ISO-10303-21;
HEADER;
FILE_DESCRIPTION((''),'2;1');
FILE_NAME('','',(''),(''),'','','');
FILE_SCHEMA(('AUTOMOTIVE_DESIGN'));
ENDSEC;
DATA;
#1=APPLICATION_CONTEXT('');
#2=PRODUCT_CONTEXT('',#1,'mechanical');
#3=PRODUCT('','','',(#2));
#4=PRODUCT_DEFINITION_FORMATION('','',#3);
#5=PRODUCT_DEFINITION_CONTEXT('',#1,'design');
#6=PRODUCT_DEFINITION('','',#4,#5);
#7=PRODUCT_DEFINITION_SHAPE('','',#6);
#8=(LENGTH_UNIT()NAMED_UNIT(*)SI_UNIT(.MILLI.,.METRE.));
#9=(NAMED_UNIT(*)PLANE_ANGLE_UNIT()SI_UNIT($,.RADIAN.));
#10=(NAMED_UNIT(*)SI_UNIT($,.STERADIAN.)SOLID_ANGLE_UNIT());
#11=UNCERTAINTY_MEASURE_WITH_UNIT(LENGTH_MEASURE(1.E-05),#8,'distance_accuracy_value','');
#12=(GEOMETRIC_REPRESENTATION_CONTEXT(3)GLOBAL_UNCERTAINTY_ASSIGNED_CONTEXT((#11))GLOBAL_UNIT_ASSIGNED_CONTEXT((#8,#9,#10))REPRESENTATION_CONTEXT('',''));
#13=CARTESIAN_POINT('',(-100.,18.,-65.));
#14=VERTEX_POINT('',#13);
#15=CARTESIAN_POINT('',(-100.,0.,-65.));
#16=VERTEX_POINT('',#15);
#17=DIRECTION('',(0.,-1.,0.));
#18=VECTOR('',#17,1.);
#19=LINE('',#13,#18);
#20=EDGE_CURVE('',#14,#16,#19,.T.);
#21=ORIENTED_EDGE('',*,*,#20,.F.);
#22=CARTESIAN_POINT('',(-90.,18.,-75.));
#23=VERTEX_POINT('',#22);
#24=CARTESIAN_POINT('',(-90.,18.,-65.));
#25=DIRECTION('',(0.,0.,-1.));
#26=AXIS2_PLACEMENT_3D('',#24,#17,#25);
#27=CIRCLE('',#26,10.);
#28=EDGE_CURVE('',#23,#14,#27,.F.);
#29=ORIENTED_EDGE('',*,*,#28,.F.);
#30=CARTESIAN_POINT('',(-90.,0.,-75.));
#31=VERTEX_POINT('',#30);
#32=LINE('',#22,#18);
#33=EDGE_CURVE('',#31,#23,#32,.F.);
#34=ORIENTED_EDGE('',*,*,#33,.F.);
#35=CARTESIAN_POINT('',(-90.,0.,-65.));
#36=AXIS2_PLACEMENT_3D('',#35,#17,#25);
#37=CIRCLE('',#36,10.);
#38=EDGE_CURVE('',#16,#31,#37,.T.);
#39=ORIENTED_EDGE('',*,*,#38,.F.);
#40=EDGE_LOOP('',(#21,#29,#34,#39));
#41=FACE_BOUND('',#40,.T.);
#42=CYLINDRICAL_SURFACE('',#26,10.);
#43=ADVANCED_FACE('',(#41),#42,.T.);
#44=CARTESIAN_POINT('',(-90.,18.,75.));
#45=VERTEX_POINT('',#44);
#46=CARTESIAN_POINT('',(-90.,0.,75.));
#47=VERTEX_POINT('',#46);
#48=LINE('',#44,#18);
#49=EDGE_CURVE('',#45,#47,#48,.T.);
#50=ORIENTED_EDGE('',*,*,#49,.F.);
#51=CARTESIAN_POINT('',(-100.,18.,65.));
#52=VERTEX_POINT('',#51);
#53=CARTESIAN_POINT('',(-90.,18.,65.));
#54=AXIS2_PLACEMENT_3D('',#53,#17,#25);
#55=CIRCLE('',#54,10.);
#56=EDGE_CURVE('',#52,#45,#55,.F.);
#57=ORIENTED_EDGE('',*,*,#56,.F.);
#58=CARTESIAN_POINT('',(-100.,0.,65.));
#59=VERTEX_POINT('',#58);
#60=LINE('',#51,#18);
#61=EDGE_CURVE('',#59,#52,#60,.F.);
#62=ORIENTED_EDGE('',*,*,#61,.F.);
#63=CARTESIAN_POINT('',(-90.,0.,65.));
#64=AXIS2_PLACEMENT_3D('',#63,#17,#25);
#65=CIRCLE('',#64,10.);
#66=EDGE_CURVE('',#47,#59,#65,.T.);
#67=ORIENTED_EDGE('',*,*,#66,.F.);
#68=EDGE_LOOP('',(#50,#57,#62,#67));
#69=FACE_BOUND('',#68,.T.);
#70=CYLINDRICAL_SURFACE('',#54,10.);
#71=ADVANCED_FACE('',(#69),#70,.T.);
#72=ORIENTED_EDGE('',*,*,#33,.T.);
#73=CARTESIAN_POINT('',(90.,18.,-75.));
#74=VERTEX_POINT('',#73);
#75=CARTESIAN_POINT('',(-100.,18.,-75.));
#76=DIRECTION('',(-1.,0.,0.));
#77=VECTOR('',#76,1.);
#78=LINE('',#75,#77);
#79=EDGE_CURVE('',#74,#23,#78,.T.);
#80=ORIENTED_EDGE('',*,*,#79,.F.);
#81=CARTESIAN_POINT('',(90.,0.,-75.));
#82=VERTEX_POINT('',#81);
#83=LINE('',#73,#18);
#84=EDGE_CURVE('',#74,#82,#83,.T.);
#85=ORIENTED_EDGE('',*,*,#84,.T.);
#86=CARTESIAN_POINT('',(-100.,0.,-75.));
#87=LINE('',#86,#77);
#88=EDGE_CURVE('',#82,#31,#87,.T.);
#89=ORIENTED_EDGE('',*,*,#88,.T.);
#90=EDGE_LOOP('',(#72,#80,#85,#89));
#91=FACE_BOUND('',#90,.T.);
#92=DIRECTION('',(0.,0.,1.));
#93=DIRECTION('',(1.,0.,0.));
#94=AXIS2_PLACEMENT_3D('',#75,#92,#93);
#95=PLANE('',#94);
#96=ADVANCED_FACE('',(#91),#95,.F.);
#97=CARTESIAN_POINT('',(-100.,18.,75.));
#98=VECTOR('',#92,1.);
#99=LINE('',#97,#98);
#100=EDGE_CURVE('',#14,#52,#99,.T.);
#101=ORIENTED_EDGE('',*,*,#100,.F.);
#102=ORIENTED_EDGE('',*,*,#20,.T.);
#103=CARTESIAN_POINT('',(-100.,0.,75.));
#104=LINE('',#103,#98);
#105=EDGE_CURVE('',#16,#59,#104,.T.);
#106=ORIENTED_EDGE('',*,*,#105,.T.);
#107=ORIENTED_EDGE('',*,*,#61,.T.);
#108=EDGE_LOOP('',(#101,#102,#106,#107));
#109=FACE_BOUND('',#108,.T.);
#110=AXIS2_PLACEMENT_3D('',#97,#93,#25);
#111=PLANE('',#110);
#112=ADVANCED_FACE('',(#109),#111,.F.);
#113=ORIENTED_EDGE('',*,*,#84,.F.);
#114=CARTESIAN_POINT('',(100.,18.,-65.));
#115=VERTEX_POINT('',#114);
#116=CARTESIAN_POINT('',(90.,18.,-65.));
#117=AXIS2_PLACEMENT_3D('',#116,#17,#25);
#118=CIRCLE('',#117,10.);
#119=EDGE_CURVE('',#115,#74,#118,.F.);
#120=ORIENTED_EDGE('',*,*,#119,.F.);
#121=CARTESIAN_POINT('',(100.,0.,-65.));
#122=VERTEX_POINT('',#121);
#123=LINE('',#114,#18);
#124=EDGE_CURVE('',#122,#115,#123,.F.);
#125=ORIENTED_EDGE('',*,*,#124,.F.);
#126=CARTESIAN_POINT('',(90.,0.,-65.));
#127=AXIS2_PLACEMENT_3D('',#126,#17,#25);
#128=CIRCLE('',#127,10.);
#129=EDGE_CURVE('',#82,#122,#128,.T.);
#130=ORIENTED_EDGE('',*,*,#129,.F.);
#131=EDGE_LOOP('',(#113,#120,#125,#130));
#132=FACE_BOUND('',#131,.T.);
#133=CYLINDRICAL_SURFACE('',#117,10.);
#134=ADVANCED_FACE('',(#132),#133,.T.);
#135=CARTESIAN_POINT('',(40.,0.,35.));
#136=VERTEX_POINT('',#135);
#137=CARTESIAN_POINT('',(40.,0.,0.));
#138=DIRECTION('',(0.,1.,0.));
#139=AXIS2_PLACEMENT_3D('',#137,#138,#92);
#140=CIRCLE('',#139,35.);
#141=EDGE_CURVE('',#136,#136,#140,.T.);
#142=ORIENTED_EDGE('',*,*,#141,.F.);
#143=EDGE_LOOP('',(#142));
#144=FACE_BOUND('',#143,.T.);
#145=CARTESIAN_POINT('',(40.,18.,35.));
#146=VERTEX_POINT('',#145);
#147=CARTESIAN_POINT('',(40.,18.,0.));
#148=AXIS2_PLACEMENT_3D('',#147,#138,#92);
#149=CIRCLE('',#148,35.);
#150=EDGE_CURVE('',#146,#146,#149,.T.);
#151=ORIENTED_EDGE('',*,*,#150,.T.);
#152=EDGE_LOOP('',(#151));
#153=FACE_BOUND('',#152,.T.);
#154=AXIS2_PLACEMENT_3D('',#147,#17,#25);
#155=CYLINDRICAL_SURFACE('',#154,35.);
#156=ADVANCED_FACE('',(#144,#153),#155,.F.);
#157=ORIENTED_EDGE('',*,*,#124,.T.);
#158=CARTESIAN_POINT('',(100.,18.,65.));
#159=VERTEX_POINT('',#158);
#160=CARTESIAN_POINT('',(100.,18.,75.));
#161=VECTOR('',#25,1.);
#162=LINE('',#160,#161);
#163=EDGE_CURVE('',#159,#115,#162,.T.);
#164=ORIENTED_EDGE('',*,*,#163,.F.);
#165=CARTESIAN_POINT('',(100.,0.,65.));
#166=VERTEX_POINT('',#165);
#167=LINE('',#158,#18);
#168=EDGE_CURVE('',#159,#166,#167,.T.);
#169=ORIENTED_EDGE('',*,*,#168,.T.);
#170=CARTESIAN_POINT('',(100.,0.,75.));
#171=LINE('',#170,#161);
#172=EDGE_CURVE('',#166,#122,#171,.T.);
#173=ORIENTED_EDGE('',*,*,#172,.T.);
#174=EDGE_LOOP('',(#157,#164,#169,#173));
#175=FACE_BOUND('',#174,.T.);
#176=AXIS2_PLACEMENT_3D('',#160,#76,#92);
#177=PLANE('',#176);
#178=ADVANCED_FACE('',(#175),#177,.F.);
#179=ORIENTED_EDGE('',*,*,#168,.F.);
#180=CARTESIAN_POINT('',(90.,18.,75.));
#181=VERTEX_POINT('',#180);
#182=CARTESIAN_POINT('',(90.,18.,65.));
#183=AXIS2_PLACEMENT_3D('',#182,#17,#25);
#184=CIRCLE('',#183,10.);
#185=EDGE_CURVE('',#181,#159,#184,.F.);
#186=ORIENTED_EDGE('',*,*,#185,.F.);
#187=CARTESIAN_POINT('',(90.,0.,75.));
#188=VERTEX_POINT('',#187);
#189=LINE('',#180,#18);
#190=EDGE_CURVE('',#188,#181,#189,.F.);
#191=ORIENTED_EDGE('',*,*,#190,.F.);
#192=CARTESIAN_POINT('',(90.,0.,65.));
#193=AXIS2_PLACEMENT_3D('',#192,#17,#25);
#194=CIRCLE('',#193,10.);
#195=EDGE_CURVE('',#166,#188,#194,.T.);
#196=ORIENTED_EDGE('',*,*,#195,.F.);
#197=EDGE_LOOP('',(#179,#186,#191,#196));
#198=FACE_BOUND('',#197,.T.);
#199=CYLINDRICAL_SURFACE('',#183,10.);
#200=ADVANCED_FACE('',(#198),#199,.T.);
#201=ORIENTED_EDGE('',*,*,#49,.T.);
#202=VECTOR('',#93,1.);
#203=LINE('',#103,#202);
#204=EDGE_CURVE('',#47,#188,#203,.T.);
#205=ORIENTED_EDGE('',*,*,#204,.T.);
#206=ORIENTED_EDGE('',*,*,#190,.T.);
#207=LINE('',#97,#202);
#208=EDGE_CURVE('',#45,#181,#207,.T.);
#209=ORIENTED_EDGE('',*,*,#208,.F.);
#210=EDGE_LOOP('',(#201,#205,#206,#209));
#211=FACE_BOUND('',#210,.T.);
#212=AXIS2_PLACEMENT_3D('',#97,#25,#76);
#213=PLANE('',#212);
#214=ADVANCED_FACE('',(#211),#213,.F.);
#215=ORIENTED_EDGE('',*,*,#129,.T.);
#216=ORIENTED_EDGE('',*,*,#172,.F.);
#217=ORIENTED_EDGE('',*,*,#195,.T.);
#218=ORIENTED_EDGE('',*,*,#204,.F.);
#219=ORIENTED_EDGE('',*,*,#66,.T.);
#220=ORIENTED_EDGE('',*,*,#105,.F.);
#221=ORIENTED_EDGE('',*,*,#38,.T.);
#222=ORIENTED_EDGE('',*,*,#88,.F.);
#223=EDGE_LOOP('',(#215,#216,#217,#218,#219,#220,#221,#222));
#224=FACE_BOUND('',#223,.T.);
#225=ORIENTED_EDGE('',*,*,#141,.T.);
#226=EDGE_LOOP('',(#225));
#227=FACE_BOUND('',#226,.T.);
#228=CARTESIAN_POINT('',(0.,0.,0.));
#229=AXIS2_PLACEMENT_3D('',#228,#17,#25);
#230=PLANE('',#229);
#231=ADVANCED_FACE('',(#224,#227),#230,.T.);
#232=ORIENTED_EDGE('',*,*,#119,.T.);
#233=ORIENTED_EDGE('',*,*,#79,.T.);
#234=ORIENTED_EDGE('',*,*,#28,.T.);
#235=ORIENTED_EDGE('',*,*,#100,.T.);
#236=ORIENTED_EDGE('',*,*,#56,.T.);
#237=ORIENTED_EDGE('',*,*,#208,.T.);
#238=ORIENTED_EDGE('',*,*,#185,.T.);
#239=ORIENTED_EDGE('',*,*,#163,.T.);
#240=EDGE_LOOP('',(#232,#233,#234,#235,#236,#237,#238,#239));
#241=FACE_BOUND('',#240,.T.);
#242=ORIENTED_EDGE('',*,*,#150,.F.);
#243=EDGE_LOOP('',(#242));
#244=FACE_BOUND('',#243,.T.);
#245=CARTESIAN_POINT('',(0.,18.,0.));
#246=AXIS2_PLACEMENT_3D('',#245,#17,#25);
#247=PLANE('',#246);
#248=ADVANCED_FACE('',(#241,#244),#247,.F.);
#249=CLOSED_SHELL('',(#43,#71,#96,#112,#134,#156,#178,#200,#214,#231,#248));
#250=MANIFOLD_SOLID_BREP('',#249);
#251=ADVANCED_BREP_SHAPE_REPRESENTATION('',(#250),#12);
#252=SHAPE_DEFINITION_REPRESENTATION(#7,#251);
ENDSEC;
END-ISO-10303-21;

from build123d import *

# Parameters (mm, degrees)
SKETCH_1_W      = 200
SKETCH_1_H      = 150
SKETCH_1_R      = 35
EXTRUDE_1_DEPTH = 18
FILLET_1_R      = 10


with BuildPart() as part:
    # 草图1 → 凸台-拉伸1 (new body)
    with BuildSketch(Plane(origin=(0, 0, 0), x_dir=(1, 0, 0), z_dir=(0, 1, 0))):
        Rectangle(SKETCH_1_W, SKETCH_1_H)
        with Locations(Location((40, 0, 0), (0, 0, 270))):
            Circle(SKETCH_1_R, mode=Mode.SUBTRACT)
    extrude(amount=EXTRUDE_1_DEPTH)

    # 圆角1
    fillet_1_edges = [part.edges().sort_by_distance(p)[0] for p in [
        (-100, 9, -75),
        (100, 9, -75),
        (100, 9, 75),
        (-100, 9, 75),
    ]]
    fillet(fillet_1_edges, radius=FILLET_1_R)


solid = part.part
